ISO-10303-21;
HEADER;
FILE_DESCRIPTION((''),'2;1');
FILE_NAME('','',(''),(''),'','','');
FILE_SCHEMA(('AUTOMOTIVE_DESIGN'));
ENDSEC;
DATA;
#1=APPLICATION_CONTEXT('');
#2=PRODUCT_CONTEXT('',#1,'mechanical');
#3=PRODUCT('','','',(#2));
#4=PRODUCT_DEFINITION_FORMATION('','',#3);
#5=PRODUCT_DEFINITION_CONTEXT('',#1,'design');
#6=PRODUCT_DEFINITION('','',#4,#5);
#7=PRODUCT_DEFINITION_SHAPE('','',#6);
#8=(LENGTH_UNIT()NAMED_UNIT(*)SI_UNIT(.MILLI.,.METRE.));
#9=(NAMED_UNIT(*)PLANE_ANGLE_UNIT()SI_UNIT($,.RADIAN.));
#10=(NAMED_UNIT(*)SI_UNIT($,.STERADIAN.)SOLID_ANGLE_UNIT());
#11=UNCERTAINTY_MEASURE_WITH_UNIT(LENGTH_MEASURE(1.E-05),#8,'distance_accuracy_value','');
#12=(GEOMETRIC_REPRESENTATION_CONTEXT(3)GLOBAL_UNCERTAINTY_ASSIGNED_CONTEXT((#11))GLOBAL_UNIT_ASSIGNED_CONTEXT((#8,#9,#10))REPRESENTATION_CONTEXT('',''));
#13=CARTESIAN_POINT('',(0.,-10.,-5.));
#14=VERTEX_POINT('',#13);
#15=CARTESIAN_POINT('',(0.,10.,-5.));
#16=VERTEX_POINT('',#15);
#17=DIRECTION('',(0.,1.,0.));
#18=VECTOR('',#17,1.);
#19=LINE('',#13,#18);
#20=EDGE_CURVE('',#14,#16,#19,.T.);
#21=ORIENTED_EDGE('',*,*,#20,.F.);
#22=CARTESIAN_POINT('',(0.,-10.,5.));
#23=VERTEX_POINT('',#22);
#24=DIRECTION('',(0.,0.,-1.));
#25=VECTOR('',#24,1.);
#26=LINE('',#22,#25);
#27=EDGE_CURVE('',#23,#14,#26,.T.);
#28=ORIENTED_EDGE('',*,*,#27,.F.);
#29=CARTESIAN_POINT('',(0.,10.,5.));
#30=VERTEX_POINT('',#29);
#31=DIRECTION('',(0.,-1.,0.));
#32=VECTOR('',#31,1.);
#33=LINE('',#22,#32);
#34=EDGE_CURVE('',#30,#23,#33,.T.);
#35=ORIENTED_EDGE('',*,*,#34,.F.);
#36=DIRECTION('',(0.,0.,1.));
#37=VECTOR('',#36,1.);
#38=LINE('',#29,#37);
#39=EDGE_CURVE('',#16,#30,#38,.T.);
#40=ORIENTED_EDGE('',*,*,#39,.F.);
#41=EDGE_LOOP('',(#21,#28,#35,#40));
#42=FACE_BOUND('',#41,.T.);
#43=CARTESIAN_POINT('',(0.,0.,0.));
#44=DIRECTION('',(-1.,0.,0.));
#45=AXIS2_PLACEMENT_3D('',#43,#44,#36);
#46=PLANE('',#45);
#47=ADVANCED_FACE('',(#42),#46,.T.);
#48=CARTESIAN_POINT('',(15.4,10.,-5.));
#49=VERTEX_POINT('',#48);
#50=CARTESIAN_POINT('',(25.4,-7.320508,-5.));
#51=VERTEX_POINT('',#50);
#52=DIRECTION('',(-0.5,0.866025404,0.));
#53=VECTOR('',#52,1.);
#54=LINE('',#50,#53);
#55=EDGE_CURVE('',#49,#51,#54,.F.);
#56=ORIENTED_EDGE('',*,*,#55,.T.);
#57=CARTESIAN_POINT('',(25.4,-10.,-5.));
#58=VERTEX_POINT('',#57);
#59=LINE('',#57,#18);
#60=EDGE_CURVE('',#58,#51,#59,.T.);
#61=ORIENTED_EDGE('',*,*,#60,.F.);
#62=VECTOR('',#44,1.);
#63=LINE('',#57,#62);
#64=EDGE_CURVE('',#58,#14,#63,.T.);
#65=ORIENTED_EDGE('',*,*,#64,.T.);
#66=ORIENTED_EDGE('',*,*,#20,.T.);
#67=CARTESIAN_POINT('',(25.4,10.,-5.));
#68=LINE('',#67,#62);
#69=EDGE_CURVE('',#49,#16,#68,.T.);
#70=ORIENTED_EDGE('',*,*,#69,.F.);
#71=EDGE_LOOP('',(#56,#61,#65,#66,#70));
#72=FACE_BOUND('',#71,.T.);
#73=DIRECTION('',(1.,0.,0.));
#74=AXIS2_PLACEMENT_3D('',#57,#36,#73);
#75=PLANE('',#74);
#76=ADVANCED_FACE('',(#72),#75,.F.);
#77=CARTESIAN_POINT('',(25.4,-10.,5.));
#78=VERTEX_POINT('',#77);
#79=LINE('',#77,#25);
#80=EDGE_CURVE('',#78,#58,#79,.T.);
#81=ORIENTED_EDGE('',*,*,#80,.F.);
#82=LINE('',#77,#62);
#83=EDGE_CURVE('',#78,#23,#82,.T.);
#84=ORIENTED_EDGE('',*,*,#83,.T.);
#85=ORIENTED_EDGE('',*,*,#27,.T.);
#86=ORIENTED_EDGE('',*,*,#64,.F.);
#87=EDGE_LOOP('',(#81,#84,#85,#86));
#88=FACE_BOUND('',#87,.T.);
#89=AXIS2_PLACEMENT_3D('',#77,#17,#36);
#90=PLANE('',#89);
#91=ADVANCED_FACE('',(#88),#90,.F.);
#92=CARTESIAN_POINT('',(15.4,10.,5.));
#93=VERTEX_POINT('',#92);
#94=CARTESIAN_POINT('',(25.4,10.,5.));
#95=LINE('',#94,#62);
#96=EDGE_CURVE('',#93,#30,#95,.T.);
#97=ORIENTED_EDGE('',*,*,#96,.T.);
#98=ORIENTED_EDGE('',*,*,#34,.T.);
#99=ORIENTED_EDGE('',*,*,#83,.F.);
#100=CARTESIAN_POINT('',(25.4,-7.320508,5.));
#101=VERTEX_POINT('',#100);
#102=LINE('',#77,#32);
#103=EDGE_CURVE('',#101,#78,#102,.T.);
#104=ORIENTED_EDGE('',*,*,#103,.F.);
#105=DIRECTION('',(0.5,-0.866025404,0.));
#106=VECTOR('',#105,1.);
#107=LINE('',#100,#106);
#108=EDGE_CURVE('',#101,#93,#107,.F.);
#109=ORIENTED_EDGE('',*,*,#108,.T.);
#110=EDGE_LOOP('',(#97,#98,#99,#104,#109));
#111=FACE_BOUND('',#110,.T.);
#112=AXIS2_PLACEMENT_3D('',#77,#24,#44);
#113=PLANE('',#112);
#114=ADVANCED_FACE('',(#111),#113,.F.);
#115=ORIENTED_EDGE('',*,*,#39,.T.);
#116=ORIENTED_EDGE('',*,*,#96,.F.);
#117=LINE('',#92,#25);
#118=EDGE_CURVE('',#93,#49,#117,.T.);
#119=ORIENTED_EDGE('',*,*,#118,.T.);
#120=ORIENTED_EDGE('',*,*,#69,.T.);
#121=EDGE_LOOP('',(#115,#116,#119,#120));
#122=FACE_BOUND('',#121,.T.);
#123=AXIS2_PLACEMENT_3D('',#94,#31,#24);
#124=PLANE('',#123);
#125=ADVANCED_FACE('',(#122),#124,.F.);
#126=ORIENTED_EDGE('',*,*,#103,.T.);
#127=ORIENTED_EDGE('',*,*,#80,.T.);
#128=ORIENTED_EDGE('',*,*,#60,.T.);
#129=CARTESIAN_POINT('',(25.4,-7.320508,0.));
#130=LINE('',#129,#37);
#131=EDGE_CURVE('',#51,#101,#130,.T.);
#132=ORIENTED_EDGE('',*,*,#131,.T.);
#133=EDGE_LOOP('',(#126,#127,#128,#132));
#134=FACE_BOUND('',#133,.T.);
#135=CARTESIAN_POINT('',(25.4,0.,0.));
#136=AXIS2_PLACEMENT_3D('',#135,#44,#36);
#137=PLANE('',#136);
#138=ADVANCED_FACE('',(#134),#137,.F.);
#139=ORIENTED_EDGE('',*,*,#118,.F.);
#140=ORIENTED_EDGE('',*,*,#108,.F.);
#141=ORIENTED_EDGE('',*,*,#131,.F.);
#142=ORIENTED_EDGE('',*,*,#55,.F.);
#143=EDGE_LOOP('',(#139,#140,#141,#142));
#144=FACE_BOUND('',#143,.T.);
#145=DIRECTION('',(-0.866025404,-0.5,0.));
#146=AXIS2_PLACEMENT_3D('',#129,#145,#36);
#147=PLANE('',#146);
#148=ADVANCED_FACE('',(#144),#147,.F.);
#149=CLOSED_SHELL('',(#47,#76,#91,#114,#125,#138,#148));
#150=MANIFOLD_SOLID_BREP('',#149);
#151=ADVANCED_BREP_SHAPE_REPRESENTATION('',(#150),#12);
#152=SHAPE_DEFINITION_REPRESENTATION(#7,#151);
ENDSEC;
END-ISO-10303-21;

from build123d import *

# Parameters (mm, degrees)
SKETCH1_W           = 10
SKETCH1_H           = 20
BOSS_EXTRUDE1_DEPTH = 25.4
CHAMFER1_SIZE       = 10
CHAMFER1_SIZE2      = 17.320508076


with BuildPart() as part:
    # Sketch1 → Boss-Extrude1 (new body)
    with BuildSketch(Plane(origin=(0, 0, 0), x_dir=(0, 0, -1), z_dir=(1, 0, 0))):
        Rectangle(SKETCH1_W, SKETCH1_H)
    extrude(amount=BOSS_EXTRUDE1_DEPTH)

    # Chamfer1
    chamfer1_edges = [part.edges().sort_by_distance(p)[0] for p in [
        (25.4, 10, 0),
    ]]
    chamfer1_side = [part.faces().sort_by_distance(p)[0] for p in [
        (12.7, 10, 0),
    ]]
    chamfer(chamfer1_edges, length=CHAMFER1_SIZE, length2=CHAMFER1_SIZE2, reference=chamfer1_side[0])


solid = part.part
